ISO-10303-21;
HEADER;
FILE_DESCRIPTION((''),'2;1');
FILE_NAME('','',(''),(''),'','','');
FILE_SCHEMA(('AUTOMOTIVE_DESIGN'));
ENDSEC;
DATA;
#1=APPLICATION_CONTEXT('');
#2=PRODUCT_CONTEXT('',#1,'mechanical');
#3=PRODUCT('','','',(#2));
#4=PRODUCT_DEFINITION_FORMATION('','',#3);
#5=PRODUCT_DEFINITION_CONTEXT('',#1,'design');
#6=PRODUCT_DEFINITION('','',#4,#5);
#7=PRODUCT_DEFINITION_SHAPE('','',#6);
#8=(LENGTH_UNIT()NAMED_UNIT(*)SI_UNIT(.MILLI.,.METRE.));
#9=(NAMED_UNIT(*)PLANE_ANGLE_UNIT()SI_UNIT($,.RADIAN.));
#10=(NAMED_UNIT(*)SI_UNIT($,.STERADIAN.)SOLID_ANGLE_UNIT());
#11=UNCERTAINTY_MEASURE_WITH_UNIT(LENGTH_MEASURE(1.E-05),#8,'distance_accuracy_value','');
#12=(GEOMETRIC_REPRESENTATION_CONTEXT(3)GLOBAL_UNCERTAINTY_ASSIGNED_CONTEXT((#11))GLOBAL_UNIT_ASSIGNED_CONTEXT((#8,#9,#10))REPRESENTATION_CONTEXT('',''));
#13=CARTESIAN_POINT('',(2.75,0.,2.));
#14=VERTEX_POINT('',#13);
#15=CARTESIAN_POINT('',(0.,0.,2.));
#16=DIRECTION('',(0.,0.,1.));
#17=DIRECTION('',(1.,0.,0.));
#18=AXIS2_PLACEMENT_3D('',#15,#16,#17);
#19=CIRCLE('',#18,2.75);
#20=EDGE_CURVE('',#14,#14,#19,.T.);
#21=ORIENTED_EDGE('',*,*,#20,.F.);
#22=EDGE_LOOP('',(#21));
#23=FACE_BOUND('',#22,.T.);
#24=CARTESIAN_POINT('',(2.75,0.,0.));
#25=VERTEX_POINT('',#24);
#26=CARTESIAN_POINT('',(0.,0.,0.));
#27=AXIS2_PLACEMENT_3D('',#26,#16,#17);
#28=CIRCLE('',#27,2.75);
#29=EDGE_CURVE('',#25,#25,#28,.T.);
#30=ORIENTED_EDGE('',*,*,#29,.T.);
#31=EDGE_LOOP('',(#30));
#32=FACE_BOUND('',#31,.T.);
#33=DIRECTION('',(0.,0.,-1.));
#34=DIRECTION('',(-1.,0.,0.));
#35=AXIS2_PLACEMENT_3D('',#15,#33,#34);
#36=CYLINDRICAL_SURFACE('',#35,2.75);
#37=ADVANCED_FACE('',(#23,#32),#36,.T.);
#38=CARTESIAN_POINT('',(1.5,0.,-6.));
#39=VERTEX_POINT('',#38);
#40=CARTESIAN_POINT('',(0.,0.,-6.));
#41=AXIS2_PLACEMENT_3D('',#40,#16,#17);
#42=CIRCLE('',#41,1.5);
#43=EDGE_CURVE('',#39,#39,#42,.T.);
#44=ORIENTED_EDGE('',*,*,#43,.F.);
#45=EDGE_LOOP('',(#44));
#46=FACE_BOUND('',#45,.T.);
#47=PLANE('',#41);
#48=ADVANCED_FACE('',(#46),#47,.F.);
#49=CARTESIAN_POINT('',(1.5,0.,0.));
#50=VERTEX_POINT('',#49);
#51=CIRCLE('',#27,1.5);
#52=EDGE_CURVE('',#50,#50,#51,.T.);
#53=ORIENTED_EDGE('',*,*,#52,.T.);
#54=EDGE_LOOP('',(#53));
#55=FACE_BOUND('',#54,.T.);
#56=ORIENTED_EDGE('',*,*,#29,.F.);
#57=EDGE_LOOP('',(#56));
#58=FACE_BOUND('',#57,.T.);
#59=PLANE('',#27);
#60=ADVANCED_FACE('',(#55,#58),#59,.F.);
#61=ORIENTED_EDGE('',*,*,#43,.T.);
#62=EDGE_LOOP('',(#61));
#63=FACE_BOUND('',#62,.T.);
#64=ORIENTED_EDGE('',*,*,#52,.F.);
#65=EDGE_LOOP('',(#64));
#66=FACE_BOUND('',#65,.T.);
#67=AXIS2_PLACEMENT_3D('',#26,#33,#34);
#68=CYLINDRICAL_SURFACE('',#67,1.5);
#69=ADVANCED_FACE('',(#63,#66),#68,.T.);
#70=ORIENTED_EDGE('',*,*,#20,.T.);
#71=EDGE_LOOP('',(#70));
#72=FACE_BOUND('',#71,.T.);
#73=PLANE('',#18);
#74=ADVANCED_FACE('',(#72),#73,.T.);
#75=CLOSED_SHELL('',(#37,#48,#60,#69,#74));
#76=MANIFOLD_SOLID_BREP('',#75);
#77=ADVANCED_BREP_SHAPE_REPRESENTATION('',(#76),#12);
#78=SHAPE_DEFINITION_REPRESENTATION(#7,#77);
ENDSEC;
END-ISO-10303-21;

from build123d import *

# Parameters (mm, degrees)
EXTRUDE_START     = -6
SKETCH_1_R        = 1.5
EXTRUDE_M3_DEPTH  = 6
SKETCH_2_R        = 2.75
EXTRUDE_5_5_DEPTH = 2


with BuildPart() as part:
    # 草图1 → M3螺杆_牙型简化 (new body)
    with BuildSketch(Plane.XY.offset(EXTRUDE_START)):
        Circle(SKETCH_1_R)
    extrude(amount=EXTRUDE_M3_DEPTH)

    # 草图2 → 圆柱头_直径5.5 (add)
    with BuildSketch(Plane.XY):
        Circle(SKETCH_2_R)
    extrude(amount=EXTRUDE_5_5_DEPTH)


solid = part.part
